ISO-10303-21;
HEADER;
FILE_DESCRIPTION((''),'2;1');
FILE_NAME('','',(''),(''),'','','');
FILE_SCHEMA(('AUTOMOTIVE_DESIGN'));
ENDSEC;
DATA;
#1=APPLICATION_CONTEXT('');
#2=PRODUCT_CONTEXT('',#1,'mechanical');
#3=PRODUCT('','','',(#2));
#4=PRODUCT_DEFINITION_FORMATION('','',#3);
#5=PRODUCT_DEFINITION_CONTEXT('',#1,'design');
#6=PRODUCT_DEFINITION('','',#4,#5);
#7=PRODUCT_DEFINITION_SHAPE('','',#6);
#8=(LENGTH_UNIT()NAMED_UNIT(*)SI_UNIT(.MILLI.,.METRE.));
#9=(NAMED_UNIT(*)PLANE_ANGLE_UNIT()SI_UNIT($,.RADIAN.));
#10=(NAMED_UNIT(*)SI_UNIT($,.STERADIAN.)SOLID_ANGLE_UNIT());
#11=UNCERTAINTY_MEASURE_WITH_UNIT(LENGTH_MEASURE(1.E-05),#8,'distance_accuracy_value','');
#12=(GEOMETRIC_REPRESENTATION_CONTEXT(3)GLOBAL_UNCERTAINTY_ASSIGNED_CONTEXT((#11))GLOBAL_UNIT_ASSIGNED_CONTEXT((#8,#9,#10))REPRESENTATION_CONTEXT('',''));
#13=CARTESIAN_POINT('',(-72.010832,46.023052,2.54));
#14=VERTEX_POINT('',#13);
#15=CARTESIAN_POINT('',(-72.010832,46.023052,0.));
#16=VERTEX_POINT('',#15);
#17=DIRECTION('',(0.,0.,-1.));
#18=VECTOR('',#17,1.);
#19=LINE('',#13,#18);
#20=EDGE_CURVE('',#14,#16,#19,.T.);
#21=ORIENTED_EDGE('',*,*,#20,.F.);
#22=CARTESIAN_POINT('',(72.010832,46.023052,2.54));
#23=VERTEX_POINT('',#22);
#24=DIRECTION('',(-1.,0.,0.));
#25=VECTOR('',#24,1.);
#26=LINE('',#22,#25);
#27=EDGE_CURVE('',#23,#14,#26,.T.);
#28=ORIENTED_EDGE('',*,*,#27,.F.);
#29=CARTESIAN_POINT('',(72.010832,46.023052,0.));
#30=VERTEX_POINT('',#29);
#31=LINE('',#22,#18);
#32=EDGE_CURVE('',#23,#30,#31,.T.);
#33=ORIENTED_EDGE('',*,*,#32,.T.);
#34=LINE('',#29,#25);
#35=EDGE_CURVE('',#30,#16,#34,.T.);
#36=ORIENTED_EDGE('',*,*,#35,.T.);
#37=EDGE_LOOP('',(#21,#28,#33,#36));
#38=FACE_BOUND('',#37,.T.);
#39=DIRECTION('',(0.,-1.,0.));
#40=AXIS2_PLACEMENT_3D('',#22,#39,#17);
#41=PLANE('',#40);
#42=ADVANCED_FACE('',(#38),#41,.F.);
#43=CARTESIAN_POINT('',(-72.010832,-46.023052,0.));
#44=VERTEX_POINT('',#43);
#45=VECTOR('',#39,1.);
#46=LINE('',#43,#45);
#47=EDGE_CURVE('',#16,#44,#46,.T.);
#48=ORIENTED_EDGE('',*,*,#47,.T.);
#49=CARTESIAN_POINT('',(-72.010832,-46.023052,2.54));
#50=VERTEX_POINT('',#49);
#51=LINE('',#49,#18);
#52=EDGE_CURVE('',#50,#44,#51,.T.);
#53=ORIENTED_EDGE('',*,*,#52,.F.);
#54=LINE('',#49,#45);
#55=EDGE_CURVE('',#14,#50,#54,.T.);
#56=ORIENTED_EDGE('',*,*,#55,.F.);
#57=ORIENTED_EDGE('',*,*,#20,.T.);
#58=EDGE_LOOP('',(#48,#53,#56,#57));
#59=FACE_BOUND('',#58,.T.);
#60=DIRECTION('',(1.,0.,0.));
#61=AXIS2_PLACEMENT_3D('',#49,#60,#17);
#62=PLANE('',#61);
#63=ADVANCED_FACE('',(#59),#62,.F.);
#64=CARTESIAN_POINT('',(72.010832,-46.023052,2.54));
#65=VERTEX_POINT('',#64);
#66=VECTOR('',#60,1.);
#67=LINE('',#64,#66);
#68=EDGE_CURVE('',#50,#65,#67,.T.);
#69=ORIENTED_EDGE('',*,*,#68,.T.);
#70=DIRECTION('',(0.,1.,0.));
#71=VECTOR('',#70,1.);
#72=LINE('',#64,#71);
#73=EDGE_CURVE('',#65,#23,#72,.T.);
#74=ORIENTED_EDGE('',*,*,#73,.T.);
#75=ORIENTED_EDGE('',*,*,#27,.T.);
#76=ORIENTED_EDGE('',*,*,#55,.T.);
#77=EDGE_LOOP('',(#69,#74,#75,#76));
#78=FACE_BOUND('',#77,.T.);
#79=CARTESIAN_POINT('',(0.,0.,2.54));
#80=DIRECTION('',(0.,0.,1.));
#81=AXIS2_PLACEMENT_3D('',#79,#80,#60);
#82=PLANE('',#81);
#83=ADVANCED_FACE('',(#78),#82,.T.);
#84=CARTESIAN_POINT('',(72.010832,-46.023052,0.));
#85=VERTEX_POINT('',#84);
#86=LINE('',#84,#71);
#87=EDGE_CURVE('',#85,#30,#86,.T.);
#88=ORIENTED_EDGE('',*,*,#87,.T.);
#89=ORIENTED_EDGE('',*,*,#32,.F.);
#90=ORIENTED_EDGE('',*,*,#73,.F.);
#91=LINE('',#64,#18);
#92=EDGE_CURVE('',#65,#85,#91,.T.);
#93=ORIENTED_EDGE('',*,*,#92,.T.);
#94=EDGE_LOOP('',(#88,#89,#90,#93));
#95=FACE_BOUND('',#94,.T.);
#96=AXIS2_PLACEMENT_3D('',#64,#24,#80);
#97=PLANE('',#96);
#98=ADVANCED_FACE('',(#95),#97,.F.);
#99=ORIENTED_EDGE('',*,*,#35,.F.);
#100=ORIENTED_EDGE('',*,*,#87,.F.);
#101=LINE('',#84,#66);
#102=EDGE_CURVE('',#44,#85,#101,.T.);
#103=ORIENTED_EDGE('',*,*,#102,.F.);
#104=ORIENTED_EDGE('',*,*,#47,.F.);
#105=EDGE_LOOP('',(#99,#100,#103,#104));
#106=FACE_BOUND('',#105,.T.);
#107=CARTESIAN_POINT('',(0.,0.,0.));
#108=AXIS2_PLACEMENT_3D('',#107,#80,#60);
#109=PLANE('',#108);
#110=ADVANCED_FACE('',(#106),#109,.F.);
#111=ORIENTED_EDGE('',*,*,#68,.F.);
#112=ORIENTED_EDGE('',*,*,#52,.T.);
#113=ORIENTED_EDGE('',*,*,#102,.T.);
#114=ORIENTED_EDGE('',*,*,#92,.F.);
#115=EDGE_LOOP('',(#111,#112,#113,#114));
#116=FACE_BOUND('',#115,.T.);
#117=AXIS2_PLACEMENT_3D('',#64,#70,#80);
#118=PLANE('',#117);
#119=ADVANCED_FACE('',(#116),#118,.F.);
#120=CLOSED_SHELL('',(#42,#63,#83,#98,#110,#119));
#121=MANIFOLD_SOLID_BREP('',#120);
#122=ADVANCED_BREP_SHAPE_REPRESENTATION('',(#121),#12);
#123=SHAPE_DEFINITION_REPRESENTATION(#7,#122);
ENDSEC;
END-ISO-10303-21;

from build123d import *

# Parameters (mm, degrees)
SKETCH1_W           = 144.021664816
SKETCH1_H           = 92.046104328
BOSS_EXTRUDE1_DEPTH = 2.54


with BuildPart() as part:
    # Sketch1 → Boss-Extrude1 (new body)
    with BuildSketch(Plane.XY):
        Rectangle(SKETCH1_W, SKETCH1_H)
    extrude(amount=BOSS_EXTRUDE1_DEPTH)


solid = part.part
